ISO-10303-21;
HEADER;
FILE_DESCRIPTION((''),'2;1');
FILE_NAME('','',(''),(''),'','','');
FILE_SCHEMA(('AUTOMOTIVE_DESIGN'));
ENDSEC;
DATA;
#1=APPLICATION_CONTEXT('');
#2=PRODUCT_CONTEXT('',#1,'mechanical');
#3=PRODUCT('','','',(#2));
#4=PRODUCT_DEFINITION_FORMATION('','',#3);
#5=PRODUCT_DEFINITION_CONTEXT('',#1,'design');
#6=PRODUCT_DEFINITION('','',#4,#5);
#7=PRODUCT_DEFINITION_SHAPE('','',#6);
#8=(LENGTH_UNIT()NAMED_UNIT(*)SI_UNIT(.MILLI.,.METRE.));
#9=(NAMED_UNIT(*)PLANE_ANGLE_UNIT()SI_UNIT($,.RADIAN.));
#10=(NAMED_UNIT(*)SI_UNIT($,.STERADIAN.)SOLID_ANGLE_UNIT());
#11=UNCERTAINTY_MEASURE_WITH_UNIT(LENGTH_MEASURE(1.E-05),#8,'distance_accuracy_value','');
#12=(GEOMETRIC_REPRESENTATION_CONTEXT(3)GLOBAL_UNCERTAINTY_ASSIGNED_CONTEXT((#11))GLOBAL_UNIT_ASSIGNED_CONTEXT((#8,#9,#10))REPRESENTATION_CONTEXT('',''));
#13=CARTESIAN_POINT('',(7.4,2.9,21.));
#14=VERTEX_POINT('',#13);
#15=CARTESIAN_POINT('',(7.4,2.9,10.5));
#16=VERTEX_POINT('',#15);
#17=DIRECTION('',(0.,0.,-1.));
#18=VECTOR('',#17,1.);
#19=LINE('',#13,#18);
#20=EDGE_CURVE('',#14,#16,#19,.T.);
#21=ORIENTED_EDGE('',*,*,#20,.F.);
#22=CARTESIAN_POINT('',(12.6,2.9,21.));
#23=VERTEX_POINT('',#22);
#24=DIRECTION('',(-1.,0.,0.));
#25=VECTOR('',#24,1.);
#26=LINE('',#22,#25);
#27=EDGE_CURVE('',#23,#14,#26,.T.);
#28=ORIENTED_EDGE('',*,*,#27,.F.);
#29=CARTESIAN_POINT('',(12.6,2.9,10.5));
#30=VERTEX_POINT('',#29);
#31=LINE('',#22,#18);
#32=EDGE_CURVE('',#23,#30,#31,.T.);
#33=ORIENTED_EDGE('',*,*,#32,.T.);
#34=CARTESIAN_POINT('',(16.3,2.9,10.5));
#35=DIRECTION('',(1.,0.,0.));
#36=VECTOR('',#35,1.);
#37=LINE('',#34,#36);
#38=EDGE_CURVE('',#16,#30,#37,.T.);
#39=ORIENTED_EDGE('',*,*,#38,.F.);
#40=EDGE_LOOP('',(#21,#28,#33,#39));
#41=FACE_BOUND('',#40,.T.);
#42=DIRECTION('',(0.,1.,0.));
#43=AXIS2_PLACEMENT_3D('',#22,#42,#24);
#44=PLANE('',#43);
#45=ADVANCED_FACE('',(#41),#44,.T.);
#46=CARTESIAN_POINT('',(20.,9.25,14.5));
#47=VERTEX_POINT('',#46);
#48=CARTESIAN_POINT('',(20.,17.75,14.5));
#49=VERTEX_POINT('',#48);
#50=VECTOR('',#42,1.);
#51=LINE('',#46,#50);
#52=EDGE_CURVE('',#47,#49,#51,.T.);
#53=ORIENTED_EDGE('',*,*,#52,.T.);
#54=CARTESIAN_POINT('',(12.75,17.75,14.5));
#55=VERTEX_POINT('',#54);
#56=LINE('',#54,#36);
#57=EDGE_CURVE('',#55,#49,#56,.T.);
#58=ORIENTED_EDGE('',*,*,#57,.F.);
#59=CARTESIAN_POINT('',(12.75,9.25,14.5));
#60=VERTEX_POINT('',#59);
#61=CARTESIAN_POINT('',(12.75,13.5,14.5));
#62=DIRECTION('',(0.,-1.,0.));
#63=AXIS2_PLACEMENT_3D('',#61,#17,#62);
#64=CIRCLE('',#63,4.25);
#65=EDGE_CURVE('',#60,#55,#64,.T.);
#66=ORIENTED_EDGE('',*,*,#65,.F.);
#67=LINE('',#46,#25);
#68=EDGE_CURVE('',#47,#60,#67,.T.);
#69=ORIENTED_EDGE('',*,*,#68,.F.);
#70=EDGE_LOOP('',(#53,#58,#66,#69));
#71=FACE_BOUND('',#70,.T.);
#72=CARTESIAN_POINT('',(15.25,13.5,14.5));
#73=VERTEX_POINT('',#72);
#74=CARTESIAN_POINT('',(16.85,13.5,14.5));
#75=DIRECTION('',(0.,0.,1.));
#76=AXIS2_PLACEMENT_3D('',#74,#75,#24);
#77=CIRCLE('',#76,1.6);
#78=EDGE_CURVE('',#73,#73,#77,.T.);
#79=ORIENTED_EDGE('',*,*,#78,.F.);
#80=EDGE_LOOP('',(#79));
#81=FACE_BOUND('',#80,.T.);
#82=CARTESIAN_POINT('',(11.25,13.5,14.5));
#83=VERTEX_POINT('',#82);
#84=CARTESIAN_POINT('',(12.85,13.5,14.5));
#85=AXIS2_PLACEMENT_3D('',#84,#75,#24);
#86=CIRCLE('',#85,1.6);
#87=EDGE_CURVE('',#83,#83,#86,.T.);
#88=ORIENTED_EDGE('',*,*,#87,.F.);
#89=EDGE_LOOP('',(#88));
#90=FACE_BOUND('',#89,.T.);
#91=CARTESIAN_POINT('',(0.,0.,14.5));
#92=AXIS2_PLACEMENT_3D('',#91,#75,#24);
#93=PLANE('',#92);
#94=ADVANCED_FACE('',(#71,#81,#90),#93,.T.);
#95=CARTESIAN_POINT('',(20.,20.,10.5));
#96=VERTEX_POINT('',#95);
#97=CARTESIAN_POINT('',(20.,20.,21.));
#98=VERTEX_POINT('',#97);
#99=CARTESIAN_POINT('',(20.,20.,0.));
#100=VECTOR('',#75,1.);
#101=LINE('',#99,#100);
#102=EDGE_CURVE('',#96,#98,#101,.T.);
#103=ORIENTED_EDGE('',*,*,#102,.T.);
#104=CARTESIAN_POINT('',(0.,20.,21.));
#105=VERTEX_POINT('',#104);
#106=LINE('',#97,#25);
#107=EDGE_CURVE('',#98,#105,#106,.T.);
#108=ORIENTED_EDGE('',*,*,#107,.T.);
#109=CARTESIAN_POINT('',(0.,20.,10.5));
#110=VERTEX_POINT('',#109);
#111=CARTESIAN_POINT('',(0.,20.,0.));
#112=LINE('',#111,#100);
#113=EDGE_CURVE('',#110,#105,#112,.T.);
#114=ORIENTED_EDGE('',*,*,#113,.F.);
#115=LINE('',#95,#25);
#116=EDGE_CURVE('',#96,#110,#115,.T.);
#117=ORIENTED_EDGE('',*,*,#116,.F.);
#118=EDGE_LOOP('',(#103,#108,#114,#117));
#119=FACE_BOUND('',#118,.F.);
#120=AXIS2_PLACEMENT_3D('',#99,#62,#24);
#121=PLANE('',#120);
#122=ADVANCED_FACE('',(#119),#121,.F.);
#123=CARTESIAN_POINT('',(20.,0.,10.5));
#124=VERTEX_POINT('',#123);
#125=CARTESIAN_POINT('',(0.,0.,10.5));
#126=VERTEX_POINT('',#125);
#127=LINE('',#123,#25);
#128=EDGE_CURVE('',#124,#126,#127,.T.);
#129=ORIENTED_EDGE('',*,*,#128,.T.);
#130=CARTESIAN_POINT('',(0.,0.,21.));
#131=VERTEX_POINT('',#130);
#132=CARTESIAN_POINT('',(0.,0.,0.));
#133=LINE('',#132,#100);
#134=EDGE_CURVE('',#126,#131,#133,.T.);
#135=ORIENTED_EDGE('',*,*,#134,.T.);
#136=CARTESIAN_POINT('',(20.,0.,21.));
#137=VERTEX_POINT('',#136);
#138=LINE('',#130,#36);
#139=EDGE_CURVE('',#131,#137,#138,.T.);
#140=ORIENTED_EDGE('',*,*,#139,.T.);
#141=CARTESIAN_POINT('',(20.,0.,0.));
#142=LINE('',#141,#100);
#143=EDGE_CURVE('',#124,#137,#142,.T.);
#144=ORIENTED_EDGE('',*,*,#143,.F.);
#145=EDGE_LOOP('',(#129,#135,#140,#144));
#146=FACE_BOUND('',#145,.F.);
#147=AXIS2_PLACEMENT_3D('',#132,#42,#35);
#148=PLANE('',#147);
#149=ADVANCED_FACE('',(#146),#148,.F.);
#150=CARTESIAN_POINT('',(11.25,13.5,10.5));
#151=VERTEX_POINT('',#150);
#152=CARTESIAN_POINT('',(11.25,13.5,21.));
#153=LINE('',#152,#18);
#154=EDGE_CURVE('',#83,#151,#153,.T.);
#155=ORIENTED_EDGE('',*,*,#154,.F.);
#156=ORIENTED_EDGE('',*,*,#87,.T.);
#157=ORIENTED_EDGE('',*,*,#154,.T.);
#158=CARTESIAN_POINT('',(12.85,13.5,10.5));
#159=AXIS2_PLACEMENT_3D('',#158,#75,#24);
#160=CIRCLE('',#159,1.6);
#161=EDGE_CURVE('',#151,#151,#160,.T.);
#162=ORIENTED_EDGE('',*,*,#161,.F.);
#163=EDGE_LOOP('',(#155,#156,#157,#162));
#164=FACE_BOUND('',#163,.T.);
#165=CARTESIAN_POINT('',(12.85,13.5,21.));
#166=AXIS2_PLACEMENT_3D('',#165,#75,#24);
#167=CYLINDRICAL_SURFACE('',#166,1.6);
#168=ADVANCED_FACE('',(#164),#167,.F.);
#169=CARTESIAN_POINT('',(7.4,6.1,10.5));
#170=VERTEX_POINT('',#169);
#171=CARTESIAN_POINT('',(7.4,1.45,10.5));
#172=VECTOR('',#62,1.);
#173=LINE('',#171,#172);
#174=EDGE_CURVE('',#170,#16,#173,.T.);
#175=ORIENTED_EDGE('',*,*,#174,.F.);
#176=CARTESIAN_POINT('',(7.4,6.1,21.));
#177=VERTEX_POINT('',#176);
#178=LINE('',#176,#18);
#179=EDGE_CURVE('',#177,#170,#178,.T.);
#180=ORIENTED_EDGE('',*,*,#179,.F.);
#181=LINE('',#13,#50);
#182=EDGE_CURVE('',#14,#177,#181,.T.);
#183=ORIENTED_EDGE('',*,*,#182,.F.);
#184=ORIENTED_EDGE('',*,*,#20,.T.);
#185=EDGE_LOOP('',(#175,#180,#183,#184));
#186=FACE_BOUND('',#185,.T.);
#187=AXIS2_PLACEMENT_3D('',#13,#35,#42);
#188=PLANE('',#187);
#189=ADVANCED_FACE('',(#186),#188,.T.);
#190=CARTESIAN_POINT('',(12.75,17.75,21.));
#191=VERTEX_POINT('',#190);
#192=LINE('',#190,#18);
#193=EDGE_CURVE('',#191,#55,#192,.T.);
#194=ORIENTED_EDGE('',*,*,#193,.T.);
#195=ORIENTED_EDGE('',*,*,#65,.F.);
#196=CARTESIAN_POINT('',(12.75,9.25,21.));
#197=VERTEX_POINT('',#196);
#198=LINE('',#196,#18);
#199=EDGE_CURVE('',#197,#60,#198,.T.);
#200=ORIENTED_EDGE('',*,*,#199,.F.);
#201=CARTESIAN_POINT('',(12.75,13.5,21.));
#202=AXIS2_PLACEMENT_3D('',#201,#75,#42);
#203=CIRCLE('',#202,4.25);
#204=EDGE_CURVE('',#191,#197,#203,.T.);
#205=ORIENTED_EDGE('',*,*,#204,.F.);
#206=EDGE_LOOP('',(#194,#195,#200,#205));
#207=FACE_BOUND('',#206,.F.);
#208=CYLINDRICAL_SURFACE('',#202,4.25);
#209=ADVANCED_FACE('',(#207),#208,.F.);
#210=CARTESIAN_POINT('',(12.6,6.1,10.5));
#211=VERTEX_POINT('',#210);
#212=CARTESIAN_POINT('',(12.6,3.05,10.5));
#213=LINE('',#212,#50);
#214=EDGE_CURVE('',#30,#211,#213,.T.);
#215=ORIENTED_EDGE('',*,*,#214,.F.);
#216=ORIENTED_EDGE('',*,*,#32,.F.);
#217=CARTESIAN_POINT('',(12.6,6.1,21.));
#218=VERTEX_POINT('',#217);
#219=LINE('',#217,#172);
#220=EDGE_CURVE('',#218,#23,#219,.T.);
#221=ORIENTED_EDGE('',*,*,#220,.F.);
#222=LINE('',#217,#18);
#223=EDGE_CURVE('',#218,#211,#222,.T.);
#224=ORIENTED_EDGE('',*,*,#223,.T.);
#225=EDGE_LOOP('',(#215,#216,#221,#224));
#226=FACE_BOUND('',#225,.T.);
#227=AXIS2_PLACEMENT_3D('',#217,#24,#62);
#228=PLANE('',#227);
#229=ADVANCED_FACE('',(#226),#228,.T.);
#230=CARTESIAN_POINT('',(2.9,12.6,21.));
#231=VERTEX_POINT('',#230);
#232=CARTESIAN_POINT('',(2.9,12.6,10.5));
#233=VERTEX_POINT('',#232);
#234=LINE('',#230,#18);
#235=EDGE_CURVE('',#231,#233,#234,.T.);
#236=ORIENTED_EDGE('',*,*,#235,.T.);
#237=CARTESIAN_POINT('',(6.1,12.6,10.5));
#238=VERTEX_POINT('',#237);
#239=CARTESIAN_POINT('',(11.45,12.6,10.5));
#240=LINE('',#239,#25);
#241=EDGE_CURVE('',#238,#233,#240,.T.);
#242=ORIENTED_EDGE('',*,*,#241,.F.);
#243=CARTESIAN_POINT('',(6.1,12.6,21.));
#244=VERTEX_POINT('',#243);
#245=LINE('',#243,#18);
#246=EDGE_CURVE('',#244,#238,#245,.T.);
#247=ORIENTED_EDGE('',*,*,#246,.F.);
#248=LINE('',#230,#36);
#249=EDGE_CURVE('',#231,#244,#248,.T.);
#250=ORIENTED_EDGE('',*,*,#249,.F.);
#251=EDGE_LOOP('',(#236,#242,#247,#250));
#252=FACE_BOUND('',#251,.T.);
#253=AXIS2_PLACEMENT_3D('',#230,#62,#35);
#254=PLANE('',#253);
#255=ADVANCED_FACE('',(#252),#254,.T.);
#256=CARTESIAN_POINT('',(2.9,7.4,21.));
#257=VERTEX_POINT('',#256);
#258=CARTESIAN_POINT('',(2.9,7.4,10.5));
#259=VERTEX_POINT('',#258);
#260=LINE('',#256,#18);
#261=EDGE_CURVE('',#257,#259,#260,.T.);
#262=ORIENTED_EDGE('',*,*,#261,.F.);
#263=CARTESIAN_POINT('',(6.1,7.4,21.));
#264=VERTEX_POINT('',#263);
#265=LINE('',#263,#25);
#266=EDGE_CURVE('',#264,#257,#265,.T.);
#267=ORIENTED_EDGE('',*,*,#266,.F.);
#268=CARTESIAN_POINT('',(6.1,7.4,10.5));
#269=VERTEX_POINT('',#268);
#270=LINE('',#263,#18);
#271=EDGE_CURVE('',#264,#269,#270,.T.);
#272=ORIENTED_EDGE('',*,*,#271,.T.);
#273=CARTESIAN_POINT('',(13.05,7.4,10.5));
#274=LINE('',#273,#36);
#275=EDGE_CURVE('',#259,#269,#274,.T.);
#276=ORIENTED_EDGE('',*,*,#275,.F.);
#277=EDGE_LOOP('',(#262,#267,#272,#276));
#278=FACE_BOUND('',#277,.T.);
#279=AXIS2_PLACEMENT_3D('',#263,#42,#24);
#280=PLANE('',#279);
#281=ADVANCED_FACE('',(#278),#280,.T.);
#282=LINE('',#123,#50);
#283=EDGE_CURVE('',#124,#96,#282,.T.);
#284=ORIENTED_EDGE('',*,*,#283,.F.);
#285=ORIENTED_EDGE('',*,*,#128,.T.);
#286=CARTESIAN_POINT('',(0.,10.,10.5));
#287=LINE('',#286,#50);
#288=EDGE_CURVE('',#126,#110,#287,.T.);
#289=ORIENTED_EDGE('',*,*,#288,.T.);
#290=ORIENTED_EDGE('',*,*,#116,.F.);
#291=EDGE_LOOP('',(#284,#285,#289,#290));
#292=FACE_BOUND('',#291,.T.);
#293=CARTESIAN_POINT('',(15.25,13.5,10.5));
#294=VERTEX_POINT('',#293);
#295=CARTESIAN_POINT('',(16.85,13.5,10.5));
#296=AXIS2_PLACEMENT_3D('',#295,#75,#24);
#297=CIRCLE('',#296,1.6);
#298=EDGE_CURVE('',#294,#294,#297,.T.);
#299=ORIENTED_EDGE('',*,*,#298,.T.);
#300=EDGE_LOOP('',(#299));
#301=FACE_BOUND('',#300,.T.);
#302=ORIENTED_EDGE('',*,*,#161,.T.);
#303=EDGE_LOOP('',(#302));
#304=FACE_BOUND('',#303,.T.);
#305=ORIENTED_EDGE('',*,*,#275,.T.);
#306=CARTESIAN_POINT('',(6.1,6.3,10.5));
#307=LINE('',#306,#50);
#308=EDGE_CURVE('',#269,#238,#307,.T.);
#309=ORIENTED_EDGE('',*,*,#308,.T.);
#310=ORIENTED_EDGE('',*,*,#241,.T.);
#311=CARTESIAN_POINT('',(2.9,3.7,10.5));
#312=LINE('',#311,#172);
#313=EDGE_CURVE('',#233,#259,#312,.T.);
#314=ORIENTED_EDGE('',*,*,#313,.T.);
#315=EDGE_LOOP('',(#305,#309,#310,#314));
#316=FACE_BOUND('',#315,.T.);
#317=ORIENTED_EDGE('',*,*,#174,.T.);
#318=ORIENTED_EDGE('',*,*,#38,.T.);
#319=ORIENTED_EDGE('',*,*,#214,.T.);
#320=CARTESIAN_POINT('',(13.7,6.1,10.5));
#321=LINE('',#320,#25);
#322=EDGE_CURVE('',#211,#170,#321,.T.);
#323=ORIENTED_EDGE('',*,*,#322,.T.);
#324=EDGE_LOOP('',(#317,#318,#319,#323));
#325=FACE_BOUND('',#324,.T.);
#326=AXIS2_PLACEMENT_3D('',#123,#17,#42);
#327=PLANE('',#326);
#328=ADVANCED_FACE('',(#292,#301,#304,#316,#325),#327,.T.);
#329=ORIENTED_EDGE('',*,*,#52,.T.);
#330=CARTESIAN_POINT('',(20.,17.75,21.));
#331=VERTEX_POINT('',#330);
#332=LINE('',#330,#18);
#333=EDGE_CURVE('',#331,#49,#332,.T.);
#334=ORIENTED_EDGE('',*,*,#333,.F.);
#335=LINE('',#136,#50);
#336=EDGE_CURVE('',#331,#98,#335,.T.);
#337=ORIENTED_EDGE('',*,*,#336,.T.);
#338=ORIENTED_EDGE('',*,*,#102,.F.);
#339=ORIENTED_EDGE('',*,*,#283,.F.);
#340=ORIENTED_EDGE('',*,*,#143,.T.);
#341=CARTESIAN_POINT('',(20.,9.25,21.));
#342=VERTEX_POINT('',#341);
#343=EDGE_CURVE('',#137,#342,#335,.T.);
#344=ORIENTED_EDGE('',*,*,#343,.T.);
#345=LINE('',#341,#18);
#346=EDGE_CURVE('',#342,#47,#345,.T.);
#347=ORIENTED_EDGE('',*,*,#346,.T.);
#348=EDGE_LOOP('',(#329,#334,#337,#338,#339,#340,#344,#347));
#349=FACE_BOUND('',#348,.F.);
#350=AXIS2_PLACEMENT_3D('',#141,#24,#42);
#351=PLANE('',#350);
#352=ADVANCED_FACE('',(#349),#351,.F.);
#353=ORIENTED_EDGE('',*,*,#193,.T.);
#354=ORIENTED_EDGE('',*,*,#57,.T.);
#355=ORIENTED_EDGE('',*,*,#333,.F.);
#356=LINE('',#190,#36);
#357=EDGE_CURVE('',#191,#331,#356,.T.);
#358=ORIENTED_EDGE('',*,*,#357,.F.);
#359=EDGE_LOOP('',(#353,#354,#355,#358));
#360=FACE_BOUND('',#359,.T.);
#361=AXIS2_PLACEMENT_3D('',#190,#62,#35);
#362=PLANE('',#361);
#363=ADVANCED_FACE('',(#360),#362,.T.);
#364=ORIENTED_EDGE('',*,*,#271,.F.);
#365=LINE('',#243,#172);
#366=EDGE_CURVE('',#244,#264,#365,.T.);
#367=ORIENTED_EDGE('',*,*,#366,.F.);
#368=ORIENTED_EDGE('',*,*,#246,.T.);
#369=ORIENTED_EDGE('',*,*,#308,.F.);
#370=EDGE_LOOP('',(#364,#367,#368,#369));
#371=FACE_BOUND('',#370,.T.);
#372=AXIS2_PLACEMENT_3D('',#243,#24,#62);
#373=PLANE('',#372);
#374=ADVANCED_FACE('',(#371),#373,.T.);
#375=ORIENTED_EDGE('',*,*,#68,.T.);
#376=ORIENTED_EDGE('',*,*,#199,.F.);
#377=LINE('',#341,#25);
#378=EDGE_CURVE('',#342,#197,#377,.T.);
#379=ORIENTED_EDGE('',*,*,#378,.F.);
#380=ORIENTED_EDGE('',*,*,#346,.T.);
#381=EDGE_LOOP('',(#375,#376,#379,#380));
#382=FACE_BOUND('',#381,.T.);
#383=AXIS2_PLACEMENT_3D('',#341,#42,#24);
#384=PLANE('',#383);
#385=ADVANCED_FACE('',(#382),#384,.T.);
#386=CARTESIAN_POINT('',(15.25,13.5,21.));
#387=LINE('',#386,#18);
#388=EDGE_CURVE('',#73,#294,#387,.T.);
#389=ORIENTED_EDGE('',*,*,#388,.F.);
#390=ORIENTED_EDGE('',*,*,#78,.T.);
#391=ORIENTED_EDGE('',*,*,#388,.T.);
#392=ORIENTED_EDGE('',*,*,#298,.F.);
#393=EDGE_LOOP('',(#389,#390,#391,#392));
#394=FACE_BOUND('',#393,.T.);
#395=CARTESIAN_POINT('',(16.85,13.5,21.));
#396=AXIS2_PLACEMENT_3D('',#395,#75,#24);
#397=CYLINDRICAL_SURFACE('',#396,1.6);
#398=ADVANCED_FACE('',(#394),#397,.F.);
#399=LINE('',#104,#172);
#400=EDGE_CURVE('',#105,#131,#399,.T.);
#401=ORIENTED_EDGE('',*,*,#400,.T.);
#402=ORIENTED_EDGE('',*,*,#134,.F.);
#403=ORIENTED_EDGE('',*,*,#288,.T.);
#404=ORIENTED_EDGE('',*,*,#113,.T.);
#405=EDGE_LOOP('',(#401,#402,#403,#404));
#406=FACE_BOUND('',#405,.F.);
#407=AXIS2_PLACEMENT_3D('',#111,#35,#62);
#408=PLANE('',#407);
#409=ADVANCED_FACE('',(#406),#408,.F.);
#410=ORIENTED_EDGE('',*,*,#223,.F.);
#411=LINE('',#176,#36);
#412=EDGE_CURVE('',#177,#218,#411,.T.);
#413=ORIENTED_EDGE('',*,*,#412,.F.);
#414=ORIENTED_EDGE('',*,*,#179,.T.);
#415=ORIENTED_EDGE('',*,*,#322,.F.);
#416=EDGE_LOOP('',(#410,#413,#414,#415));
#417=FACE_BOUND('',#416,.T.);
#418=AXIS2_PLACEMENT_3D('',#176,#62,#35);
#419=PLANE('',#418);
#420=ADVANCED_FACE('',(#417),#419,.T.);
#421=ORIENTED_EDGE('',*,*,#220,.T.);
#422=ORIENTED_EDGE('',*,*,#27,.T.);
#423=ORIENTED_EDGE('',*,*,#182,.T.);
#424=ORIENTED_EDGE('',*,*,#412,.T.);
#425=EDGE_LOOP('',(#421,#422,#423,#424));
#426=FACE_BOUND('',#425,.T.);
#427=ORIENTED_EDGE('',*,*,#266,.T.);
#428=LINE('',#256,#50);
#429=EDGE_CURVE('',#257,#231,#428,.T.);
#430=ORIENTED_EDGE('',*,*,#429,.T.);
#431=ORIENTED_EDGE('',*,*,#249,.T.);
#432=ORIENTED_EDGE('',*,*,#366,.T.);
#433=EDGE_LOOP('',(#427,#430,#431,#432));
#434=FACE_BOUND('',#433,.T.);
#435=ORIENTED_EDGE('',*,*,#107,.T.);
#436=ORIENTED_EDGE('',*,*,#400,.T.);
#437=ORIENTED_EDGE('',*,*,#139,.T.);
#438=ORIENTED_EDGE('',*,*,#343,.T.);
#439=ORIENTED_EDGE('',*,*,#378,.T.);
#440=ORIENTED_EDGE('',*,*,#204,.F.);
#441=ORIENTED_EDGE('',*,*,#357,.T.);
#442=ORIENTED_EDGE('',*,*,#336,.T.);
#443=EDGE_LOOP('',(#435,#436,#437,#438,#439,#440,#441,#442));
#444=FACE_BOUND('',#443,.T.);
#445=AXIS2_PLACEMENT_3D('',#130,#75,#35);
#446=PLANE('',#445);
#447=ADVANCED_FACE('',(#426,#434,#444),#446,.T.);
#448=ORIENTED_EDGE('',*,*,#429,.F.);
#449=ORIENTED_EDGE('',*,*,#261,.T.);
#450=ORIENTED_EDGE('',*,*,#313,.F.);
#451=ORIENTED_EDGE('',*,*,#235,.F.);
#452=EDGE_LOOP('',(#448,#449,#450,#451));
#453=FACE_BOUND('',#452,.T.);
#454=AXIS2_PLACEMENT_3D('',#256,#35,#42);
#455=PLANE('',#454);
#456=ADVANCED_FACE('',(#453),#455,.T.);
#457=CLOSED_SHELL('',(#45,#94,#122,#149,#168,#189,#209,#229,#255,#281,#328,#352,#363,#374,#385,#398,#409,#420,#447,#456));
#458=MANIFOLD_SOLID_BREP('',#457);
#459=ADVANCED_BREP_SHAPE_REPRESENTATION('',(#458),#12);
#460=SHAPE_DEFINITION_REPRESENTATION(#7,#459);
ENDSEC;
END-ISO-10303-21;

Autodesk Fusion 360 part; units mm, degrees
sketch "スケッチ1" plane through (0, 0, 0) normal (0, 0, 1) x (1, 0, 0)
  line L0 (0, 0) -> (20, 0)
  line L1 (20, 0) -> (20, 20)
  line L2 (20, 20) -> (0, 20)
  line L3 (0, 20) -> (0, 0)
  dimension "d1" = 20
  dimension "d2" = 20
extrude "押し出し1" add sketch "スケッチ1" along normal blind 21
sketch "スケッチ2" plane through (20, 0, 0) normal (1, 0, 0) x (0, 1, 0)
  line L0 (0, 0) -> (20, 0)
  line L1 (20, 0) -> (20, 21)
  line L2 (20, 21) -> (0, 21)
  line L3 (0, 21) -> (0, 0)
  circle A0 centre (5, 5) radius 1.15
  dimension "d5" = 2.3
  dimension "d8" = 5
  dimension "d11" = 5
extrude "押し出し2" cut sketch "スケッチ2" against normal blind 25 contours A0
sketch "スケッチ7" plane through (0, 0, 21) normal (0, 0, 1) x (-1, 0, 0)
  line L0 (0, -20) -> (0, 0)
  line L1 (0, 0) -> (-20, 0)
  line L2 (-20, 0) -> (-20, -20)
  line L3 (-20, -20) -> (0, -20)
  line L4 (-12.75, -17.75) -> (-20, -17.75)
  line L5 (-20, -17.75) -> (-20, -9.25)
  line L6 (-20, -9.25) -> (-12.75, -9.25)
  line L7 (-8.5, -13.5) -> (-20, -13.5)
  circle A0 centre (-12.85, -13.5) radius 1.6
  circle A1 centre (-16.85, -13.5) radius 1.6
  arc A2 (-12.75, -17.75) -> (-8.5, -13.5) centre (-12.75, -13.5) ccw
  arc A3 (-8.5, -13.5) -> (-12.75, -9.25) centre (-12.75, -13.5) ccw
  point P0 (-8.5, -17.75)
  point P1 (-8.5, -9.25)
  dimension "d16" = 8.5
  dimension "d17" = 11.5
  dimension "d18" = 3.2
  dimension "d19" = 3.2
  dimension "d20" = 4
  dimension "d21" = 4.35
  dimension "d22" = 4.25
  dimension "d23" = 4.25
  dimension "d24" = 4.25
extrude "押し出し4" cut sketch "スケッチ7" against normal blind 6.5 contours L2 L4 L5 L7 A0 A1 A2 | L2 L5 L6 L7 A0 A1 A3
extrude "押し出し5" cut 2 faces at (12.2215, 13.3267, 21) (16.1057, 13.3074, 21) along direction (0, 0, -1) blind 26
sketch "スケッチ11" plane through (20, 0, 0) normal (1, 0, 0) x (0, 1, 0)
  line L0 (17.75, 21) -> (17.75, 14.5)
  line L1 (17.75, 14.5) -> (9.25, 14.5)
  line L2 (9.25, 14.5) -> (9.25, 21)
  line L3 (9.25, 21) -> (0, 21)
  line L4 (0, 21) -> (0, 0)
  line L5 (0, 0) -> (20, 0)
  line L6 (20, 0) -> (20, 21)
  line L7 (20, 21) -> (17.75, 21)
  circle A0 centre (5, 5) radius 1.15
  line L8 (0, 10.5) -> (20, 10.5)
  line L9 (20, 10.5) -> (20, 0)
  line L10 (20, 0) -> (0, 0)
  line L11 (0, 0) -> (0, 10.5)
  dimension "d34" = 4
extrude "押し出し8" cut sketch "スケッチ11" against normal blind 32 contours L4 L5 L6 L8 L9 L10 L11
sketch "スケッチ12" plane through (0, 0, 21) normal (0, 0, 1) x (-1, 0, 0)
  line L0 (-12.75, -17.75) -> (-20, -17.75)
  line L1 (-20, -17.75) -> (-20, -20)
  line L2 (-20, -20) -> (0, -20)
  line L3 (0, -20) -> (0, 0)
  line L4 (0, 0) -> (-20, 0)
  line L5 (-20, 0) -> (-20, -9.25)
  line L6 (-20, -9.25) -> (-12.75, -9.25)
  arc A0 (-12.75, -17.75) -> (-12.75, -9.25) centre (-12.75, -13.5) ccw
  line L7 (-2.9, -12.6) -> (-6.1, -12.6)
  line L8 (-6.1, -12.6) -> (-6.1, -7.4)
  line L9 (-6.1, -7.4) -> (-2.9, -7.4)
  line L10 (-2.9, -7.4) -> (-2.9, -12.6)
  line L11 (-12.6, -2.9) -> (-7.4, -2.9)
  line L12 (-7.4, -2.9) -> (-7.4, -6.1)
  line L13 (-7.4, -6.1) -> (-12.6, -6.1)
  line L14 (-12.6, -6.1) -> (-12.6, -2.9)
  dimension "d37" = 2.9
  dimension "d38" = 5.2
  dimension "d39" = 3.2
  dimension "d40" = 7.4
  dimension "d41" = 3.2
  dimension "d42" = 5.2
  dimension "d43" = 2.9
  dimension "d44" = 7.4
extrude "押し出し9" cut sketch "スケッチ12" against normal blind 22 contours L7 L8 L9 L10 | L11 L12 L13 L14
equation "d40 = 10 mm - 2.6 mm"
